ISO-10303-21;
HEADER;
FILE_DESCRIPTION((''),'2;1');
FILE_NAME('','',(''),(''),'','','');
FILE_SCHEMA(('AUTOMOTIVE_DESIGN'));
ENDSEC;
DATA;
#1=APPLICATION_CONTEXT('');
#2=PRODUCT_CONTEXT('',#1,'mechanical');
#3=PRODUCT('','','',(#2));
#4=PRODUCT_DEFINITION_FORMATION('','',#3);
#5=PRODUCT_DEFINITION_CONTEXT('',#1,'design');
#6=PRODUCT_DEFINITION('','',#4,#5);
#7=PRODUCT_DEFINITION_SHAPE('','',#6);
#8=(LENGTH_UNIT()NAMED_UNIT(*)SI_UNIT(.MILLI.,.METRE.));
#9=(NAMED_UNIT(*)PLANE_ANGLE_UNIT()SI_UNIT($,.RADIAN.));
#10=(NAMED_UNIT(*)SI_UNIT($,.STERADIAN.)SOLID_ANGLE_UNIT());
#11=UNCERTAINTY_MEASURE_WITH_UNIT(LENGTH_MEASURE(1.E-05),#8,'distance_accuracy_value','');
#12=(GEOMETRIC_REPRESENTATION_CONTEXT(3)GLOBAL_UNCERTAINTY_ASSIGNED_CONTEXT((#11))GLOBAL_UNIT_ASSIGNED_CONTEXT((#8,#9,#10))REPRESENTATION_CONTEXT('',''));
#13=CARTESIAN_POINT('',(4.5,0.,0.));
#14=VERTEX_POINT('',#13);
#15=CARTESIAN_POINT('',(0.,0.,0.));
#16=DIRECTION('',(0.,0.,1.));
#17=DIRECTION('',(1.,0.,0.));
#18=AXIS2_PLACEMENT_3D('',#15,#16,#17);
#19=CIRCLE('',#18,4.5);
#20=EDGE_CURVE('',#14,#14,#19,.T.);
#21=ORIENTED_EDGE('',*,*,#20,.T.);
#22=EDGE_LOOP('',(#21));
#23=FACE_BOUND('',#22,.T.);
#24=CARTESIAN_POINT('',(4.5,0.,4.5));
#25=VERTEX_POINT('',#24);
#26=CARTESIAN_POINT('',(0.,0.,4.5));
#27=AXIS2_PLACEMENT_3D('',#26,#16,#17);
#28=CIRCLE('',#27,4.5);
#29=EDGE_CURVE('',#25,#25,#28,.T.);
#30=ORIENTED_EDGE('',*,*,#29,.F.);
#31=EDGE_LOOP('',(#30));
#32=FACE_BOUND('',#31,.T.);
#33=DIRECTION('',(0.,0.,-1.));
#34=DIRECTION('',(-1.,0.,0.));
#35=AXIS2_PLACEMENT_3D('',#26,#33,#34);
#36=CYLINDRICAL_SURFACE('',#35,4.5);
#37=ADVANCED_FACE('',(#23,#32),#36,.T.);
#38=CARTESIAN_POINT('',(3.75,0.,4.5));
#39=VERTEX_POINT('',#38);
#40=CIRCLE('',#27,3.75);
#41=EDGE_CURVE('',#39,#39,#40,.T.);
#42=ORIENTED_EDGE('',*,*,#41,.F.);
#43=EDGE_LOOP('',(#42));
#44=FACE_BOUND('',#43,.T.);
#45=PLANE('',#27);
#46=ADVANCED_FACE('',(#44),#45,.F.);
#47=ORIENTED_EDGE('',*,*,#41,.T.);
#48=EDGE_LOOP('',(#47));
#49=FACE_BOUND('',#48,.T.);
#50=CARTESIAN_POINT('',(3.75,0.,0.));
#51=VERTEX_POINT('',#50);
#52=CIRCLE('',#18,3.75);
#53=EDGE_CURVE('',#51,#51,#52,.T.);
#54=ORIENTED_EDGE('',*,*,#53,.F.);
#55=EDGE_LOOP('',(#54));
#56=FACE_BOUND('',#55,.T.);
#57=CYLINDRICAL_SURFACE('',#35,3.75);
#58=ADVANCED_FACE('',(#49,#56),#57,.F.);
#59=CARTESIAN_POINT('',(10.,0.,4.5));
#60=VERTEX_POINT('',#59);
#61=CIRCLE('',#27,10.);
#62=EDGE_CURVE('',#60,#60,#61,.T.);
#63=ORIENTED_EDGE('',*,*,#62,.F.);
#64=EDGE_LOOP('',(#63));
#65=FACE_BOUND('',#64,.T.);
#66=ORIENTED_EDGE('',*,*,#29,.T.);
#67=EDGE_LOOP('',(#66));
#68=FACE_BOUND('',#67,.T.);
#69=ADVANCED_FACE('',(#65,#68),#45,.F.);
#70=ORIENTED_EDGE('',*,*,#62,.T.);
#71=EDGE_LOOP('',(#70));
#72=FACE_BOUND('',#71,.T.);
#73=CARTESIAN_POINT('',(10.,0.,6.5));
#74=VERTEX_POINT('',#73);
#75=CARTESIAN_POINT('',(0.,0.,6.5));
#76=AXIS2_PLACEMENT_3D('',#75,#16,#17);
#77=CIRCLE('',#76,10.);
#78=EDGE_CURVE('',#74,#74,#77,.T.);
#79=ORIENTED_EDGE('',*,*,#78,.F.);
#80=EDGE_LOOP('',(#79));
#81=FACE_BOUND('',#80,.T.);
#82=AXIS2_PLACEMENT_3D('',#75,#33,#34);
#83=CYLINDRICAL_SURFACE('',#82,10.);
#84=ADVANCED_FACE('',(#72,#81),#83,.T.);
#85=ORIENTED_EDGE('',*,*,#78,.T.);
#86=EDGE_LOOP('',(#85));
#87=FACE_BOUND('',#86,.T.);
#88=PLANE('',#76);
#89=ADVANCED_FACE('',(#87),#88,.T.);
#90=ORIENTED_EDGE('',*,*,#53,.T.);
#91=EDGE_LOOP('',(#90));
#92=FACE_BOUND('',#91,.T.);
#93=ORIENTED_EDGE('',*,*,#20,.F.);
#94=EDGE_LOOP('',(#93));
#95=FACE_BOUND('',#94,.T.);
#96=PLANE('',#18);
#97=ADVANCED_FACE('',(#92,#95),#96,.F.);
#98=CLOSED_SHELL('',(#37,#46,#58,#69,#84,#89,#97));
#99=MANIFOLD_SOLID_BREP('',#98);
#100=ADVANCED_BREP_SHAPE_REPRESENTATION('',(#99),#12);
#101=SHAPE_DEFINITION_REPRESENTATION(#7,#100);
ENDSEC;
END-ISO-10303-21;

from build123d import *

# Parameters (mm, degrees)
SKETCH1_R           = 4.5
SKETCH1_R_2         = 3.75
BOSS_EXTRUDE1_DEPTH = 4.5
SKETCH2_R           = 10
BOSS_EXTRUDE2_DEPTH = 2


with BuildPart() as part:
    # Sketch1 → Boss-Extrude1 (new body)
    with BuildSketch(Plane.XY):
        Circle(SKETCH1_R)
        Circle(SKETCH1_R_2, mode=Mode.SUBTRACT)
    extrude(amount=BOSS_EXTRUDE1_DEPTH)

    # Sketch2 → Boss-Extrude2 (add)
    with BuildSketch(Plane.XY.offset(4.5)):
        Circle(SKETCH2_R)
    extrude(amount=BOSS_EXTRUDE2_DEPTH)


solid = part.part
